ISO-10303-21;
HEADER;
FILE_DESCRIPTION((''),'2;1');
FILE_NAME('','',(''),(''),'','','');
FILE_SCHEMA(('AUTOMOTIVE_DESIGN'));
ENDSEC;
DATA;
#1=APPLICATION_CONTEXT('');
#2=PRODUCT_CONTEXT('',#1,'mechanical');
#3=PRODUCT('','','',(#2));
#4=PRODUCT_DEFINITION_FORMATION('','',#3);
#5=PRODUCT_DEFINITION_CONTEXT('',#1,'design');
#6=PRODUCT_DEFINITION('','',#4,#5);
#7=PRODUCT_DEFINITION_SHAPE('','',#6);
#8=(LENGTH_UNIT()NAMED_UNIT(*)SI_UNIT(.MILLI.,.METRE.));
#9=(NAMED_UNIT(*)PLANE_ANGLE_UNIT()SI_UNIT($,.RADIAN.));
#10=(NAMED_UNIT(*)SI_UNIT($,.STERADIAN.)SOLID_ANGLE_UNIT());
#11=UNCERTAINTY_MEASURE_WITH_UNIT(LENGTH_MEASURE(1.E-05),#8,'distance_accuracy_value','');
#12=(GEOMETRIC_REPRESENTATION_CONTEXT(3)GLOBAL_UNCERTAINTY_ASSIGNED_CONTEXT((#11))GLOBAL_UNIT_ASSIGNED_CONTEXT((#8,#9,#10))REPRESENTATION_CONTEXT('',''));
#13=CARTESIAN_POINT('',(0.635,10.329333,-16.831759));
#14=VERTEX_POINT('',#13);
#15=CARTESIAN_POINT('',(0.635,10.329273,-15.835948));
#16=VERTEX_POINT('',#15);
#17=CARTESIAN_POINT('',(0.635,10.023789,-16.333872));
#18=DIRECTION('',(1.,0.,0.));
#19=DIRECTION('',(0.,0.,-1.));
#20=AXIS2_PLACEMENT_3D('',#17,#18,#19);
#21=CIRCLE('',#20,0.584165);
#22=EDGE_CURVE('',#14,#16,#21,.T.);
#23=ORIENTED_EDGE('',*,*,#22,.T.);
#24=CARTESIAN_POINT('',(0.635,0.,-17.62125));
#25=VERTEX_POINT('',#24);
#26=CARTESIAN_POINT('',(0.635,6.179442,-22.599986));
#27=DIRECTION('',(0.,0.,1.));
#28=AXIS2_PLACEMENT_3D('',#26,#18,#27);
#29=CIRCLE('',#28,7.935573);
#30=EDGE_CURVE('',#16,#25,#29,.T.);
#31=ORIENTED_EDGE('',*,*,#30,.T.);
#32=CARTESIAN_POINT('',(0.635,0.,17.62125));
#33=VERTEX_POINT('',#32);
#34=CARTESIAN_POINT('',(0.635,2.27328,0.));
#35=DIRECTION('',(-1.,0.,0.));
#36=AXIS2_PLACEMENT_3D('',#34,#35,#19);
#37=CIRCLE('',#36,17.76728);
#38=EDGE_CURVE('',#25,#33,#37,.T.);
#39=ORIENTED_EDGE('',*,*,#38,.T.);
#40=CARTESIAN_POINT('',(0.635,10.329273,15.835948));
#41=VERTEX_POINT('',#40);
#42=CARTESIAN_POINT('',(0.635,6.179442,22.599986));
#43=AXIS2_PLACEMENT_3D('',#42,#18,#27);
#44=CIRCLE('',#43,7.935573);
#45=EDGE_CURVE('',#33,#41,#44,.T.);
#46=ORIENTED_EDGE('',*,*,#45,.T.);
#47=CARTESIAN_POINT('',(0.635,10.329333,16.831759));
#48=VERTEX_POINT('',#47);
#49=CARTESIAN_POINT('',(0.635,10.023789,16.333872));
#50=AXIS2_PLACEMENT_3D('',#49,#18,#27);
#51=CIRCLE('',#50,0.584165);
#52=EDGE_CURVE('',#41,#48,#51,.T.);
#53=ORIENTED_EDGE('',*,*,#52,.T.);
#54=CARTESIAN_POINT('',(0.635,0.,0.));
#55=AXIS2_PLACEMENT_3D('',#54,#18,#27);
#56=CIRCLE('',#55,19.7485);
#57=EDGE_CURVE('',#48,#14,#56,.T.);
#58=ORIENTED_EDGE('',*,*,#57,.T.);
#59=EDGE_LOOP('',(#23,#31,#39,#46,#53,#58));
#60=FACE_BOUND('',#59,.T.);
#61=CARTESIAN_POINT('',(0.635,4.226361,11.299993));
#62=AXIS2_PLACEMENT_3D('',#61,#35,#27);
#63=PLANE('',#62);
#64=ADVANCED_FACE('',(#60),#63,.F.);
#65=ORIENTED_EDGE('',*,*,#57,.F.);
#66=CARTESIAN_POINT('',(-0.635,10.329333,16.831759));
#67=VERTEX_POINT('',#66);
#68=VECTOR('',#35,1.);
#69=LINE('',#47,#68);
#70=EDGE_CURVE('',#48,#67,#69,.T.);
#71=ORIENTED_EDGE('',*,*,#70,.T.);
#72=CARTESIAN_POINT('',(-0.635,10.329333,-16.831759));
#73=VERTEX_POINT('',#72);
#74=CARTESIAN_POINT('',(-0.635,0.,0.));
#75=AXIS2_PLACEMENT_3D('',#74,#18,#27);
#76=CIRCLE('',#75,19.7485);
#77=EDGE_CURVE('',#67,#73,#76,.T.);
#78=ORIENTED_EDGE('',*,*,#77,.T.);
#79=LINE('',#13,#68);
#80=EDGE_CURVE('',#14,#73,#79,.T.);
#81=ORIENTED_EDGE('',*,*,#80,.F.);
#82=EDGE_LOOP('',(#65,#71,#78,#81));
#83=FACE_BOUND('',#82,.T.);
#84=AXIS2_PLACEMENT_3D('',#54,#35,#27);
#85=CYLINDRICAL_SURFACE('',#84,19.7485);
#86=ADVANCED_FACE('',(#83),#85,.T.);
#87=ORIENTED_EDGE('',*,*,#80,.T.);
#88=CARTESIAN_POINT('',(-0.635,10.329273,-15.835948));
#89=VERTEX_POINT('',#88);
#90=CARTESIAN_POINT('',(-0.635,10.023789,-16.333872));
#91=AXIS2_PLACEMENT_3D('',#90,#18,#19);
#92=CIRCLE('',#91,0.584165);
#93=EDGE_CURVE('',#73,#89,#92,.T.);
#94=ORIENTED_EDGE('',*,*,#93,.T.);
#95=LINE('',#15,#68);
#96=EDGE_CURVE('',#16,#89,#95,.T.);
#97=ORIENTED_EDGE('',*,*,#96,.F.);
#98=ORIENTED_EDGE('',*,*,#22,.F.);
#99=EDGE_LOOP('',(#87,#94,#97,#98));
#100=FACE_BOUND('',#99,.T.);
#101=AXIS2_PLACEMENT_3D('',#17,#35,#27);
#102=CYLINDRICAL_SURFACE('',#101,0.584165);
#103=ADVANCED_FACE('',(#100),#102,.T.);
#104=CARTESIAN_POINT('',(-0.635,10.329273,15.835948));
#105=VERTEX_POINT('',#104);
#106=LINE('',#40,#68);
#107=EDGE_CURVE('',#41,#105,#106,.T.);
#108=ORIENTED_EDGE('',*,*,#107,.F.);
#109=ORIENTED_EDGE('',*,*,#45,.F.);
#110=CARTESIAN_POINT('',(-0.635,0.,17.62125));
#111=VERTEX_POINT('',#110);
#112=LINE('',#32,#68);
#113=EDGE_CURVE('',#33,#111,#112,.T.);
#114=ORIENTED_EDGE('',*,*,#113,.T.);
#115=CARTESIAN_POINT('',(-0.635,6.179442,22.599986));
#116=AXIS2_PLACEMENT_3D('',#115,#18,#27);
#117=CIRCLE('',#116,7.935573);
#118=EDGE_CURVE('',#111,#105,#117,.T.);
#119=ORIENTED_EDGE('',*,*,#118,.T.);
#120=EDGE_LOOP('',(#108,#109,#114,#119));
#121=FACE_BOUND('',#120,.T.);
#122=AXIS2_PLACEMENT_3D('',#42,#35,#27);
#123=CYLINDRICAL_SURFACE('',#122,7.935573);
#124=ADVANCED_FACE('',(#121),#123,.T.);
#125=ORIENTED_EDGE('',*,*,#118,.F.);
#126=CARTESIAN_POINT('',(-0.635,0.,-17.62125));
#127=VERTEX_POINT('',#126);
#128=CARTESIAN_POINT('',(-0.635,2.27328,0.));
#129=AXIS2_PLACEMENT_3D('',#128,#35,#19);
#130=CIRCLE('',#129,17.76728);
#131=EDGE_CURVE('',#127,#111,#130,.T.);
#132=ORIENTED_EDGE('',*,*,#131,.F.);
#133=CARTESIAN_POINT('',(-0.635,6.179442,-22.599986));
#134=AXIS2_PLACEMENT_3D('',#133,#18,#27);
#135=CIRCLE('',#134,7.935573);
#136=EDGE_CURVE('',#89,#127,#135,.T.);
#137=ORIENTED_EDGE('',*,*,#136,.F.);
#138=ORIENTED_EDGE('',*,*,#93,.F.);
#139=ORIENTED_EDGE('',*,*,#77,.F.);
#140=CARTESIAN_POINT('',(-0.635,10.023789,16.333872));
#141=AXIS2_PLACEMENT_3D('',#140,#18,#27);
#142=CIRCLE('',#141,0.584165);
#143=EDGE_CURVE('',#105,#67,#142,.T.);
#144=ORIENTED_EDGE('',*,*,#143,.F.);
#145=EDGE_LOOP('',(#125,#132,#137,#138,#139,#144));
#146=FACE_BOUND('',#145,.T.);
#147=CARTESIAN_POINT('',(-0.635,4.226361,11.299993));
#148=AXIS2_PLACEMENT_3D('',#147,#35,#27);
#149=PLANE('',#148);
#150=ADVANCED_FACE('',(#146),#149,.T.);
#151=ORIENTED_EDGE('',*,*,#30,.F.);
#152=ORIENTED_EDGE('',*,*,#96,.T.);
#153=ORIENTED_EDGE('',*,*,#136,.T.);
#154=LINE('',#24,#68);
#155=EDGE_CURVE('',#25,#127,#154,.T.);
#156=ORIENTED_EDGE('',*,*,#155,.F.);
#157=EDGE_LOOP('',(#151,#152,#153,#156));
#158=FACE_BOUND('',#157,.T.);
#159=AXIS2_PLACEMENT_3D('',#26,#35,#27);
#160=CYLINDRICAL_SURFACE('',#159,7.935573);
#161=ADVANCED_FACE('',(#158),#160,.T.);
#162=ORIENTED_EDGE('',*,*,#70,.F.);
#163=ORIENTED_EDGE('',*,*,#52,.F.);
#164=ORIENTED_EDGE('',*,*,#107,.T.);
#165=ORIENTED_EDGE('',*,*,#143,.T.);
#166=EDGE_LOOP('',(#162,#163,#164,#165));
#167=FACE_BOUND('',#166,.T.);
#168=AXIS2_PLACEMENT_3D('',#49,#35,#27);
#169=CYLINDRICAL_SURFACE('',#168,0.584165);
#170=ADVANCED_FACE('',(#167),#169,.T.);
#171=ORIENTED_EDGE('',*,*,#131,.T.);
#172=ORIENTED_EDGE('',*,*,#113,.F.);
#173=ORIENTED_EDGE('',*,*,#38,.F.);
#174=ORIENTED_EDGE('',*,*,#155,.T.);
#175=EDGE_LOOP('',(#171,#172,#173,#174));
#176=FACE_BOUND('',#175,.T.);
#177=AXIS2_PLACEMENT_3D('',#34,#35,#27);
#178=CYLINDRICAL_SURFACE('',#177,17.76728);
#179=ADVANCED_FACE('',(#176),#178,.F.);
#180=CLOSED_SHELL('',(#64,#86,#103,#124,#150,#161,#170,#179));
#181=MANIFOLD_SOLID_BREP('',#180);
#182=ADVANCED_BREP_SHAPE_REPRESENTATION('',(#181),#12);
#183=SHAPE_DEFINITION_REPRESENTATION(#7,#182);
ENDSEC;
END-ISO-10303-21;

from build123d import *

# Parameters (mm, degrees)
EXTRUDE1_DEPTH = 0.635


with BuildPart() as part:
    # Sketch1 → Extrude1 (new, symmetric)
    with BuildSketch(Plane(origin=(0, 0, 0), x_dir=(0, 0, -1), z_dir=(1, 0, 0))):
        with BuildLine():
            ThreePointArc((-17.62125, 0), (0, -15.494), (17.62125, 0))
            ThreePointArc((17.62125, 0), (14.780353346, 4.827903405), (15.835947816, 10.329272816))
            ThreePointArc((15.835947816, 10.329272816), (16.333836683, 10.607954404), (16.831759419, 10.329333333))
            ThreePointArc((16.831759419, 10.329333333), (0, -19.7485), (-16.831759419, 10.329333333))
            ThreePointArc((-16.831759419, 10.329333333), (-16.333836683, 10.607954404), (-15.835947816, 10.329272816))
            ThreePointArc((-15.835947816, 10.329272816), (-14.780353346, 4.827903405), (-17.62125, 0))
        make_face()
    extrude(amount=EXTRUDE1_DEPTH, both=True)


solid = part.part
